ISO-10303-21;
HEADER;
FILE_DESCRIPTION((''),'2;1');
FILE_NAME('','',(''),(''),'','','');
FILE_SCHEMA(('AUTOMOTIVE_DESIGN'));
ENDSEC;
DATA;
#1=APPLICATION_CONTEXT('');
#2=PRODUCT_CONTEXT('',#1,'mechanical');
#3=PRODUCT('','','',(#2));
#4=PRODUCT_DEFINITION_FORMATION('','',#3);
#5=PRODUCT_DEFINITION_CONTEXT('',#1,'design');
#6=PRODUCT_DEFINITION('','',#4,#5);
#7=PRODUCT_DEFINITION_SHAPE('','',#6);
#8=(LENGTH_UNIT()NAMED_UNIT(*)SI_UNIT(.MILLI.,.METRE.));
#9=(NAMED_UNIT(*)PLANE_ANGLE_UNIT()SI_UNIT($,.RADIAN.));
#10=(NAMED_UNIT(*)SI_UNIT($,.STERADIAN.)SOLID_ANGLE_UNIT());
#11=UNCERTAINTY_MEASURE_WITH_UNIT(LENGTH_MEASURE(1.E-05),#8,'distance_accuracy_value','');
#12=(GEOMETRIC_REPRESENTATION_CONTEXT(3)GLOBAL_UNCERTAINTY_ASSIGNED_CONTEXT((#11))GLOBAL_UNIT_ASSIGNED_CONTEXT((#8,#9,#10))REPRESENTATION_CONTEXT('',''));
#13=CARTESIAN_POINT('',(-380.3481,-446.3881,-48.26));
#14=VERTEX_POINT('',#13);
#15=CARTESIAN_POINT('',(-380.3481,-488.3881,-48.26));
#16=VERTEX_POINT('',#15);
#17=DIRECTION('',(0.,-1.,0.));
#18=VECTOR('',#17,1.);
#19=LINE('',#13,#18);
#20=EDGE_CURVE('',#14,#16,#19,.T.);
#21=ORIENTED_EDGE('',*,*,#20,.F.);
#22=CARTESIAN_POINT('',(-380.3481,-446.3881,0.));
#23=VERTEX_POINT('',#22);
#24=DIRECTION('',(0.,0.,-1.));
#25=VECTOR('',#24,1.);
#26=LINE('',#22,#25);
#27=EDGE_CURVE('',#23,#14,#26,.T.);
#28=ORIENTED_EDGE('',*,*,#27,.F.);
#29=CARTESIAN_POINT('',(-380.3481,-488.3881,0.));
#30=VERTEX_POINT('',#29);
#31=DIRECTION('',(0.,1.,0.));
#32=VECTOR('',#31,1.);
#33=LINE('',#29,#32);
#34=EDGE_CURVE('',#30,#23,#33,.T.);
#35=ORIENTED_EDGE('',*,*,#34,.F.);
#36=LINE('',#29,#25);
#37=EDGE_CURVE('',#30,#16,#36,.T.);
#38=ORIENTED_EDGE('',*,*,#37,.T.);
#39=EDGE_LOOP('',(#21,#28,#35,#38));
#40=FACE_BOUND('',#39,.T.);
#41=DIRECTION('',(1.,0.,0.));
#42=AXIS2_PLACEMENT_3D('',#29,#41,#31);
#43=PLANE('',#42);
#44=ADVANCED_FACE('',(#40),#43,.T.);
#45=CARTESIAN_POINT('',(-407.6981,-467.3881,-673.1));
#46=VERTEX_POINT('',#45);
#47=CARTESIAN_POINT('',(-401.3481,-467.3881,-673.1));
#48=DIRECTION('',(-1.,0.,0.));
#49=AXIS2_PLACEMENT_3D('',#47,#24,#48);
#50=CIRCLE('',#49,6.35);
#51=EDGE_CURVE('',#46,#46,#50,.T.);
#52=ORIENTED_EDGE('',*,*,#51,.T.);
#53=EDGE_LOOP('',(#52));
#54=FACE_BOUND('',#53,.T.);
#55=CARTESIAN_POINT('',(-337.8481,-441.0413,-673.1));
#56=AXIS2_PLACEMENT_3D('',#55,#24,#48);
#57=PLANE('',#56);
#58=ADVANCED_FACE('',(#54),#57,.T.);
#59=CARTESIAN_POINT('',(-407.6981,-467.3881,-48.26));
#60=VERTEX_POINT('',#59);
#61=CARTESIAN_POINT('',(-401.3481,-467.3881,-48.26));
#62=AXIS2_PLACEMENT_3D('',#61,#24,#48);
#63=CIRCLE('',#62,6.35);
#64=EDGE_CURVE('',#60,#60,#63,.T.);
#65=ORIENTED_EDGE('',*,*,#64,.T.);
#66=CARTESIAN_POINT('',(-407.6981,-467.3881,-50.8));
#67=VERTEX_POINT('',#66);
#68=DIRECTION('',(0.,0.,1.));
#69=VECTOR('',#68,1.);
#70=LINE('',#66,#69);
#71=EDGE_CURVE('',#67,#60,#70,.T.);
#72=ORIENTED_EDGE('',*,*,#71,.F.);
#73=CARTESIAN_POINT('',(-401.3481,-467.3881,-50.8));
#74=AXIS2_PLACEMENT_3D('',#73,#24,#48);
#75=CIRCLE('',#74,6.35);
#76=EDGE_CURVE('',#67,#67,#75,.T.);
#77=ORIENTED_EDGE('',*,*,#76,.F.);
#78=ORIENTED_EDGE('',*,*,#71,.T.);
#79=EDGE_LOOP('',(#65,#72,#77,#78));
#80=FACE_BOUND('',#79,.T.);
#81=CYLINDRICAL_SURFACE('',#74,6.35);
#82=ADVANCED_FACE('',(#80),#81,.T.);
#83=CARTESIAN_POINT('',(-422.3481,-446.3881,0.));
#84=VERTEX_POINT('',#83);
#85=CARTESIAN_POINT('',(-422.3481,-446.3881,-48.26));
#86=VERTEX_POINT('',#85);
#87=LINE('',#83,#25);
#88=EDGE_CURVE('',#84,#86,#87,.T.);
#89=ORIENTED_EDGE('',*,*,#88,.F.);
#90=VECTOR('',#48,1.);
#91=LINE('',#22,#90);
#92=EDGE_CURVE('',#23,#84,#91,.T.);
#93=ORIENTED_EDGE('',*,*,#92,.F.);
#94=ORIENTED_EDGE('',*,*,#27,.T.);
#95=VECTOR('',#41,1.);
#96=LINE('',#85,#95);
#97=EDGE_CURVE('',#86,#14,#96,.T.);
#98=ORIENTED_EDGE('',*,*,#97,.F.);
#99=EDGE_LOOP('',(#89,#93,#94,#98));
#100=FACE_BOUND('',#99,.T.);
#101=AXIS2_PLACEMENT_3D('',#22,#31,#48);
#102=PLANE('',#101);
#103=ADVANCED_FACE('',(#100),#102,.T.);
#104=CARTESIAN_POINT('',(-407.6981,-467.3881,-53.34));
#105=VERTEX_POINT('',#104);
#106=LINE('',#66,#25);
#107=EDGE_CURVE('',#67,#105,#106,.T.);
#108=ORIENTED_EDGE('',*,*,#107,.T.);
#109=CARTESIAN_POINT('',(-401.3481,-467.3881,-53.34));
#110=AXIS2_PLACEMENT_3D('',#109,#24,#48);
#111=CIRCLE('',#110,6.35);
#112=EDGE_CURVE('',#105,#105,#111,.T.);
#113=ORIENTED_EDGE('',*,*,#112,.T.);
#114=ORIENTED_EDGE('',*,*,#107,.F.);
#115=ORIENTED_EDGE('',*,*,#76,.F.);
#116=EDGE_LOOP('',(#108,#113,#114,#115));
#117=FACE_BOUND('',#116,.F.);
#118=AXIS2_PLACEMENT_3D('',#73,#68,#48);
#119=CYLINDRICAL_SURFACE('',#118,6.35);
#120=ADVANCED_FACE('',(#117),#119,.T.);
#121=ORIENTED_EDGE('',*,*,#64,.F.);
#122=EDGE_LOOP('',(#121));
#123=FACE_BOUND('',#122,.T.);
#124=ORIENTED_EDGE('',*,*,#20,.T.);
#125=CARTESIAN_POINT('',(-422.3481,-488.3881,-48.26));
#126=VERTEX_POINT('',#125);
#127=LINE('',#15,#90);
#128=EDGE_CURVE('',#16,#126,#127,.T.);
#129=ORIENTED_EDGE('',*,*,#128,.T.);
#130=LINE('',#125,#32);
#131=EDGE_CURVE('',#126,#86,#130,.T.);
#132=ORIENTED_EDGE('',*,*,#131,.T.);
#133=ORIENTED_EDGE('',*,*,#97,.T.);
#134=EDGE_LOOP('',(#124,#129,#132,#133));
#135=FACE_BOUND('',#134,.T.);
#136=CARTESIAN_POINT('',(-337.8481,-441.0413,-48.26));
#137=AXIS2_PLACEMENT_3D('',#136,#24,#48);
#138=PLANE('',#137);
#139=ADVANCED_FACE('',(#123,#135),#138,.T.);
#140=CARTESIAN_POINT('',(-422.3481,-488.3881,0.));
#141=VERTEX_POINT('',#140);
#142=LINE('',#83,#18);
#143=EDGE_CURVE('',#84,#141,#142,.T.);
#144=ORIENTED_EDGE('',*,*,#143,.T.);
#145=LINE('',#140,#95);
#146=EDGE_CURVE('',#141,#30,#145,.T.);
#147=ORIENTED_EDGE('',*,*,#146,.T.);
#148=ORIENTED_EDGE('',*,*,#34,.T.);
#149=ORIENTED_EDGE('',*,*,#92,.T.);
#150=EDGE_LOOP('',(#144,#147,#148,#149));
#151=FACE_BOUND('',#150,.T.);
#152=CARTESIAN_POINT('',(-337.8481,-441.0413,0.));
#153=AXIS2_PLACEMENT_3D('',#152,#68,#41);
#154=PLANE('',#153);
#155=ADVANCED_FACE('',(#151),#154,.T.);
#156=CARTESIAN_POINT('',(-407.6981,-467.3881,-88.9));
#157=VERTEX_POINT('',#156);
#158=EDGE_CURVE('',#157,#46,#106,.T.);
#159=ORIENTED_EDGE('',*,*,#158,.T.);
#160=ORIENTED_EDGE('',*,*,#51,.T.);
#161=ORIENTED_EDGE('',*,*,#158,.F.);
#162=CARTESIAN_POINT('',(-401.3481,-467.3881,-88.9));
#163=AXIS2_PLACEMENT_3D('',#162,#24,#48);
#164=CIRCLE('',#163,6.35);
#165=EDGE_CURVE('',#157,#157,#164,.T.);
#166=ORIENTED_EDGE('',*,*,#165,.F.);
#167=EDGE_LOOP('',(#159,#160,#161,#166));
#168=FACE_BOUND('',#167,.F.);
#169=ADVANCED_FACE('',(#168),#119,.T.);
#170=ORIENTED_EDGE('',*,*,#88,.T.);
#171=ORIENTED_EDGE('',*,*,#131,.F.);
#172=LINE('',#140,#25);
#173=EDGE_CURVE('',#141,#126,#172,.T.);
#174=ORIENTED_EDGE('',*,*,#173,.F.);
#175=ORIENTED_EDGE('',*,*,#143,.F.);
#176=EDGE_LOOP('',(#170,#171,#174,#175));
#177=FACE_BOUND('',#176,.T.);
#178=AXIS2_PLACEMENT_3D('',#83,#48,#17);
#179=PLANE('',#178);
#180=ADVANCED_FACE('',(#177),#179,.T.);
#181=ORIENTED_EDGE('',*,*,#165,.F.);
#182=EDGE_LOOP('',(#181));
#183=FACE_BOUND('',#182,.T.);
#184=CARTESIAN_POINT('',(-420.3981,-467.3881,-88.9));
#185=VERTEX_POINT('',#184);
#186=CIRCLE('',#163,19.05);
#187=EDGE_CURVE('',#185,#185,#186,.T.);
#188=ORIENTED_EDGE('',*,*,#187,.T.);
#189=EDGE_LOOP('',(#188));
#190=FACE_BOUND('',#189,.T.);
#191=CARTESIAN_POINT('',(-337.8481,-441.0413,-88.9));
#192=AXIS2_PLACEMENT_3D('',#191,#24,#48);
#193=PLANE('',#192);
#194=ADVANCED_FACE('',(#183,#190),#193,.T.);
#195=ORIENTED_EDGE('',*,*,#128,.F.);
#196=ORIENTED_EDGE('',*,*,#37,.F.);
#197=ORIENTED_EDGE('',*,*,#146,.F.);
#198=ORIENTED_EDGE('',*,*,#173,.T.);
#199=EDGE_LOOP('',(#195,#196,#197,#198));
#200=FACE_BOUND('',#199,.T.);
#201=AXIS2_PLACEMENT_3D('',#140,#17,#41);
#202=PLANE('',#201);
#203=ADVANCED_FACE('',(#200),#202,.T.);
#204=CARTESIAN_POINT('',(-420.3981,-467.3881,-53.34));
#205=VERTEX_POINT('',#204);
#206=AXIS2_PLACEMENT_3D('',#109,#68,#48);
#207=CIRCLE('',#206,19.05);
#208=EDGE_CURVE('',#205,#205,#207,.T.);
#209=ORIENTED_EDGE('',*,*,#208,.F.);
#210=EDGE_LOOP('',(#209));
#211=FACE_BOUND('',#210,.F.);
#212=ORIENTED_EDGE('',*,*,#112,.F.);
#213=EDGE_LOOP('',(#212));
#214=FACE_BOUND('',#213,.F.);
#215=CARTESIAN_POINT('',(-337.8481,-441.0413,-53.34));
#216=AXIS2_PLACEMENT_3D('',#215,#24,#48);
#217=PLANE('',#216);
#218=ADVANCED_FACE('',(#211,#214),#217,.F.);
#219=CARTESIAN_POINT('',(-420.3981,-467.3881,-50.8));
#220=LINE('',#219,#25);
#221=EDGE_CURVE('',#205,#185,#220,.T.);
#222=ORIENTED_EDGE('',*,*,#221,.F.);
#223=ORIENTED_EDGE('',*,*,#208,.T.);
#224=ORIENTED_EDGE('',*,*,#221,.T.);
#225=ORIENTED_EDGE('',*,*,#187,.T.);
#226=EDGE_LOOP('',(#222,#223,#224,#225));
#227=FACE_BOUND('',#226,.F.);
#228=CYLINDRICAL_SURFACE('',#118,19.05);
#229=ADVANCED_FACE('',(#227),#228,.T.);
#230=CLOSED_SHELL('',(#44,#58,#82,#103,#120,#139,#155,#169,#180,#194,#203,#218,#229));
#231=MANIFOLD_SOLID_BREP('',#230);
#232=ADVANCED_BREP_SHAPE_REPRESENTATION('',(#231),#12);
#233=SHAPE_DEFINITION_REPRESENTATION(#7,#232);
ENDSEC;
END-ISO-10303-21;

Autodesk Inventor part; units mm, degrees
ref_plane "YZ Plane" through (0, 0, 0) normal (1, 0, 0) x (0, 1, 0)
ref_plane "XZ Plane" through (0, 0, 0) normal (0, 1, 0) x (-1, 0, 0)
ref_plane "XY Plane" through (0, 0, 0) normal (0, 0, 1) x (1, 0, 0)
ref_plane "Work Plane1" through (-337.8481, -441.0413, 0) normal (0, 0, 1) x (1, 0, 0)
sketch "Sketch1" plane through (-337.8481, -441.0413, 0) normal (0, 0, 1) x (1, 0, 0)
  line L0 (-84.5, -47.3468) -> (-42.5, -47.3468)
  line L1 (-42.5, -47.3468) -> (-42.5, -5.3468)
  line L2 (-42.5, -5.3468) -> (-84.5, -5.3468)
  line L3 (-84.5, -5.3468) -> (-84.5, -47.3468)
  line L4 (-84.5, -47.3468) -> (-42.5, -5.3468) construction
  line L5 (-42.5, -47.3468) -> (-84.5, -5.3468) construction
  point P0 (337.8481, 441.0413)
  point P1 (-63.5, -26.3468)
  dimension "d0" = 42
  dimension "d1" = 42
extrude "Extrusion1" add sketch "Sketch1" against normal blind 50.8
sketch "Sketch2" plane through (-337.8481, -441.0413, -50.8) normal (0, 0, -1) x (-1, 0, 0)
  line L0 (42.5, -47.3468) -> (84.5, -47.3468) projected
  line L1 (84.5, -47.3468) -> (84.5, -5.3468) projected
  line L2 (84.5, -5.3468) -> (42.5, -5.3468) projected
  line L3 (42.5, -5.3468) -> (42.5, -47.3468) projected
  circle A0 centre (63.5, -26.3468) radius 6.35
  point P0 (-337.8481, 441.0413)
  dimension "d4" = 12.7
extrude "Extrusion2" add sketch "Sketch2" along normal blind 622.3 contours A0
sketch "Sketch3" plane through (-337.8481, -441.0413, -50.8) normal (0, 0, -1) x (-1, 0, 0)
  circle A0 centre (63.5, -26.3468) radius 6.35 projected
  line L0 (42.5, -47.3468) -> (84.5, -47.3468) projected
  line L1 (84.5, -47.3468) -> (84.5, -5.3468) projected
  line L2 (84.5, -5.3468) -> (42.5, -5.3468) projected
  line L3 (42.5, -5.3468) -> (42.5, -47.3468) projected
  circle A1 centre (63.5, -26.3468) radius 19.05
  point P0 (-337.8481, 441.0413)
  dimension "d7" = 38.1
extrude "Extrusion3" add sketch "Sketch3" along normal blind 38.1 contours A1
sketch "Sketch4" plane through (-337.8481, -441.0413, -50.8) normal (0, 0, -1) x (-1, 0, 0)
  circle A0 centre (63.5, -26.3468) radius 19.05 projected
  line L0 (42.5, -47.3468) -> (84.5, -47.3468) projected
  line L1 (84.5, -47.3468) -> (84.5, -5.3468) projected
  line L2 (84.5, -5.3468) -> (42.5, -5.3468) projected
  line L3 (42.5, -5.3468) -> (42.5, -47.3468) projected
  circle A1 centre (63.5, -26.3468) radius 6.35 projected
  point P0 (-337.8481, 441.0413)
extrude "Extrusion4" cut sketch "Sketch4" along normal mid plane 5.08 contours A0 | L3 L2 L1 L0
properties part number "MotorandLeadscrew"
